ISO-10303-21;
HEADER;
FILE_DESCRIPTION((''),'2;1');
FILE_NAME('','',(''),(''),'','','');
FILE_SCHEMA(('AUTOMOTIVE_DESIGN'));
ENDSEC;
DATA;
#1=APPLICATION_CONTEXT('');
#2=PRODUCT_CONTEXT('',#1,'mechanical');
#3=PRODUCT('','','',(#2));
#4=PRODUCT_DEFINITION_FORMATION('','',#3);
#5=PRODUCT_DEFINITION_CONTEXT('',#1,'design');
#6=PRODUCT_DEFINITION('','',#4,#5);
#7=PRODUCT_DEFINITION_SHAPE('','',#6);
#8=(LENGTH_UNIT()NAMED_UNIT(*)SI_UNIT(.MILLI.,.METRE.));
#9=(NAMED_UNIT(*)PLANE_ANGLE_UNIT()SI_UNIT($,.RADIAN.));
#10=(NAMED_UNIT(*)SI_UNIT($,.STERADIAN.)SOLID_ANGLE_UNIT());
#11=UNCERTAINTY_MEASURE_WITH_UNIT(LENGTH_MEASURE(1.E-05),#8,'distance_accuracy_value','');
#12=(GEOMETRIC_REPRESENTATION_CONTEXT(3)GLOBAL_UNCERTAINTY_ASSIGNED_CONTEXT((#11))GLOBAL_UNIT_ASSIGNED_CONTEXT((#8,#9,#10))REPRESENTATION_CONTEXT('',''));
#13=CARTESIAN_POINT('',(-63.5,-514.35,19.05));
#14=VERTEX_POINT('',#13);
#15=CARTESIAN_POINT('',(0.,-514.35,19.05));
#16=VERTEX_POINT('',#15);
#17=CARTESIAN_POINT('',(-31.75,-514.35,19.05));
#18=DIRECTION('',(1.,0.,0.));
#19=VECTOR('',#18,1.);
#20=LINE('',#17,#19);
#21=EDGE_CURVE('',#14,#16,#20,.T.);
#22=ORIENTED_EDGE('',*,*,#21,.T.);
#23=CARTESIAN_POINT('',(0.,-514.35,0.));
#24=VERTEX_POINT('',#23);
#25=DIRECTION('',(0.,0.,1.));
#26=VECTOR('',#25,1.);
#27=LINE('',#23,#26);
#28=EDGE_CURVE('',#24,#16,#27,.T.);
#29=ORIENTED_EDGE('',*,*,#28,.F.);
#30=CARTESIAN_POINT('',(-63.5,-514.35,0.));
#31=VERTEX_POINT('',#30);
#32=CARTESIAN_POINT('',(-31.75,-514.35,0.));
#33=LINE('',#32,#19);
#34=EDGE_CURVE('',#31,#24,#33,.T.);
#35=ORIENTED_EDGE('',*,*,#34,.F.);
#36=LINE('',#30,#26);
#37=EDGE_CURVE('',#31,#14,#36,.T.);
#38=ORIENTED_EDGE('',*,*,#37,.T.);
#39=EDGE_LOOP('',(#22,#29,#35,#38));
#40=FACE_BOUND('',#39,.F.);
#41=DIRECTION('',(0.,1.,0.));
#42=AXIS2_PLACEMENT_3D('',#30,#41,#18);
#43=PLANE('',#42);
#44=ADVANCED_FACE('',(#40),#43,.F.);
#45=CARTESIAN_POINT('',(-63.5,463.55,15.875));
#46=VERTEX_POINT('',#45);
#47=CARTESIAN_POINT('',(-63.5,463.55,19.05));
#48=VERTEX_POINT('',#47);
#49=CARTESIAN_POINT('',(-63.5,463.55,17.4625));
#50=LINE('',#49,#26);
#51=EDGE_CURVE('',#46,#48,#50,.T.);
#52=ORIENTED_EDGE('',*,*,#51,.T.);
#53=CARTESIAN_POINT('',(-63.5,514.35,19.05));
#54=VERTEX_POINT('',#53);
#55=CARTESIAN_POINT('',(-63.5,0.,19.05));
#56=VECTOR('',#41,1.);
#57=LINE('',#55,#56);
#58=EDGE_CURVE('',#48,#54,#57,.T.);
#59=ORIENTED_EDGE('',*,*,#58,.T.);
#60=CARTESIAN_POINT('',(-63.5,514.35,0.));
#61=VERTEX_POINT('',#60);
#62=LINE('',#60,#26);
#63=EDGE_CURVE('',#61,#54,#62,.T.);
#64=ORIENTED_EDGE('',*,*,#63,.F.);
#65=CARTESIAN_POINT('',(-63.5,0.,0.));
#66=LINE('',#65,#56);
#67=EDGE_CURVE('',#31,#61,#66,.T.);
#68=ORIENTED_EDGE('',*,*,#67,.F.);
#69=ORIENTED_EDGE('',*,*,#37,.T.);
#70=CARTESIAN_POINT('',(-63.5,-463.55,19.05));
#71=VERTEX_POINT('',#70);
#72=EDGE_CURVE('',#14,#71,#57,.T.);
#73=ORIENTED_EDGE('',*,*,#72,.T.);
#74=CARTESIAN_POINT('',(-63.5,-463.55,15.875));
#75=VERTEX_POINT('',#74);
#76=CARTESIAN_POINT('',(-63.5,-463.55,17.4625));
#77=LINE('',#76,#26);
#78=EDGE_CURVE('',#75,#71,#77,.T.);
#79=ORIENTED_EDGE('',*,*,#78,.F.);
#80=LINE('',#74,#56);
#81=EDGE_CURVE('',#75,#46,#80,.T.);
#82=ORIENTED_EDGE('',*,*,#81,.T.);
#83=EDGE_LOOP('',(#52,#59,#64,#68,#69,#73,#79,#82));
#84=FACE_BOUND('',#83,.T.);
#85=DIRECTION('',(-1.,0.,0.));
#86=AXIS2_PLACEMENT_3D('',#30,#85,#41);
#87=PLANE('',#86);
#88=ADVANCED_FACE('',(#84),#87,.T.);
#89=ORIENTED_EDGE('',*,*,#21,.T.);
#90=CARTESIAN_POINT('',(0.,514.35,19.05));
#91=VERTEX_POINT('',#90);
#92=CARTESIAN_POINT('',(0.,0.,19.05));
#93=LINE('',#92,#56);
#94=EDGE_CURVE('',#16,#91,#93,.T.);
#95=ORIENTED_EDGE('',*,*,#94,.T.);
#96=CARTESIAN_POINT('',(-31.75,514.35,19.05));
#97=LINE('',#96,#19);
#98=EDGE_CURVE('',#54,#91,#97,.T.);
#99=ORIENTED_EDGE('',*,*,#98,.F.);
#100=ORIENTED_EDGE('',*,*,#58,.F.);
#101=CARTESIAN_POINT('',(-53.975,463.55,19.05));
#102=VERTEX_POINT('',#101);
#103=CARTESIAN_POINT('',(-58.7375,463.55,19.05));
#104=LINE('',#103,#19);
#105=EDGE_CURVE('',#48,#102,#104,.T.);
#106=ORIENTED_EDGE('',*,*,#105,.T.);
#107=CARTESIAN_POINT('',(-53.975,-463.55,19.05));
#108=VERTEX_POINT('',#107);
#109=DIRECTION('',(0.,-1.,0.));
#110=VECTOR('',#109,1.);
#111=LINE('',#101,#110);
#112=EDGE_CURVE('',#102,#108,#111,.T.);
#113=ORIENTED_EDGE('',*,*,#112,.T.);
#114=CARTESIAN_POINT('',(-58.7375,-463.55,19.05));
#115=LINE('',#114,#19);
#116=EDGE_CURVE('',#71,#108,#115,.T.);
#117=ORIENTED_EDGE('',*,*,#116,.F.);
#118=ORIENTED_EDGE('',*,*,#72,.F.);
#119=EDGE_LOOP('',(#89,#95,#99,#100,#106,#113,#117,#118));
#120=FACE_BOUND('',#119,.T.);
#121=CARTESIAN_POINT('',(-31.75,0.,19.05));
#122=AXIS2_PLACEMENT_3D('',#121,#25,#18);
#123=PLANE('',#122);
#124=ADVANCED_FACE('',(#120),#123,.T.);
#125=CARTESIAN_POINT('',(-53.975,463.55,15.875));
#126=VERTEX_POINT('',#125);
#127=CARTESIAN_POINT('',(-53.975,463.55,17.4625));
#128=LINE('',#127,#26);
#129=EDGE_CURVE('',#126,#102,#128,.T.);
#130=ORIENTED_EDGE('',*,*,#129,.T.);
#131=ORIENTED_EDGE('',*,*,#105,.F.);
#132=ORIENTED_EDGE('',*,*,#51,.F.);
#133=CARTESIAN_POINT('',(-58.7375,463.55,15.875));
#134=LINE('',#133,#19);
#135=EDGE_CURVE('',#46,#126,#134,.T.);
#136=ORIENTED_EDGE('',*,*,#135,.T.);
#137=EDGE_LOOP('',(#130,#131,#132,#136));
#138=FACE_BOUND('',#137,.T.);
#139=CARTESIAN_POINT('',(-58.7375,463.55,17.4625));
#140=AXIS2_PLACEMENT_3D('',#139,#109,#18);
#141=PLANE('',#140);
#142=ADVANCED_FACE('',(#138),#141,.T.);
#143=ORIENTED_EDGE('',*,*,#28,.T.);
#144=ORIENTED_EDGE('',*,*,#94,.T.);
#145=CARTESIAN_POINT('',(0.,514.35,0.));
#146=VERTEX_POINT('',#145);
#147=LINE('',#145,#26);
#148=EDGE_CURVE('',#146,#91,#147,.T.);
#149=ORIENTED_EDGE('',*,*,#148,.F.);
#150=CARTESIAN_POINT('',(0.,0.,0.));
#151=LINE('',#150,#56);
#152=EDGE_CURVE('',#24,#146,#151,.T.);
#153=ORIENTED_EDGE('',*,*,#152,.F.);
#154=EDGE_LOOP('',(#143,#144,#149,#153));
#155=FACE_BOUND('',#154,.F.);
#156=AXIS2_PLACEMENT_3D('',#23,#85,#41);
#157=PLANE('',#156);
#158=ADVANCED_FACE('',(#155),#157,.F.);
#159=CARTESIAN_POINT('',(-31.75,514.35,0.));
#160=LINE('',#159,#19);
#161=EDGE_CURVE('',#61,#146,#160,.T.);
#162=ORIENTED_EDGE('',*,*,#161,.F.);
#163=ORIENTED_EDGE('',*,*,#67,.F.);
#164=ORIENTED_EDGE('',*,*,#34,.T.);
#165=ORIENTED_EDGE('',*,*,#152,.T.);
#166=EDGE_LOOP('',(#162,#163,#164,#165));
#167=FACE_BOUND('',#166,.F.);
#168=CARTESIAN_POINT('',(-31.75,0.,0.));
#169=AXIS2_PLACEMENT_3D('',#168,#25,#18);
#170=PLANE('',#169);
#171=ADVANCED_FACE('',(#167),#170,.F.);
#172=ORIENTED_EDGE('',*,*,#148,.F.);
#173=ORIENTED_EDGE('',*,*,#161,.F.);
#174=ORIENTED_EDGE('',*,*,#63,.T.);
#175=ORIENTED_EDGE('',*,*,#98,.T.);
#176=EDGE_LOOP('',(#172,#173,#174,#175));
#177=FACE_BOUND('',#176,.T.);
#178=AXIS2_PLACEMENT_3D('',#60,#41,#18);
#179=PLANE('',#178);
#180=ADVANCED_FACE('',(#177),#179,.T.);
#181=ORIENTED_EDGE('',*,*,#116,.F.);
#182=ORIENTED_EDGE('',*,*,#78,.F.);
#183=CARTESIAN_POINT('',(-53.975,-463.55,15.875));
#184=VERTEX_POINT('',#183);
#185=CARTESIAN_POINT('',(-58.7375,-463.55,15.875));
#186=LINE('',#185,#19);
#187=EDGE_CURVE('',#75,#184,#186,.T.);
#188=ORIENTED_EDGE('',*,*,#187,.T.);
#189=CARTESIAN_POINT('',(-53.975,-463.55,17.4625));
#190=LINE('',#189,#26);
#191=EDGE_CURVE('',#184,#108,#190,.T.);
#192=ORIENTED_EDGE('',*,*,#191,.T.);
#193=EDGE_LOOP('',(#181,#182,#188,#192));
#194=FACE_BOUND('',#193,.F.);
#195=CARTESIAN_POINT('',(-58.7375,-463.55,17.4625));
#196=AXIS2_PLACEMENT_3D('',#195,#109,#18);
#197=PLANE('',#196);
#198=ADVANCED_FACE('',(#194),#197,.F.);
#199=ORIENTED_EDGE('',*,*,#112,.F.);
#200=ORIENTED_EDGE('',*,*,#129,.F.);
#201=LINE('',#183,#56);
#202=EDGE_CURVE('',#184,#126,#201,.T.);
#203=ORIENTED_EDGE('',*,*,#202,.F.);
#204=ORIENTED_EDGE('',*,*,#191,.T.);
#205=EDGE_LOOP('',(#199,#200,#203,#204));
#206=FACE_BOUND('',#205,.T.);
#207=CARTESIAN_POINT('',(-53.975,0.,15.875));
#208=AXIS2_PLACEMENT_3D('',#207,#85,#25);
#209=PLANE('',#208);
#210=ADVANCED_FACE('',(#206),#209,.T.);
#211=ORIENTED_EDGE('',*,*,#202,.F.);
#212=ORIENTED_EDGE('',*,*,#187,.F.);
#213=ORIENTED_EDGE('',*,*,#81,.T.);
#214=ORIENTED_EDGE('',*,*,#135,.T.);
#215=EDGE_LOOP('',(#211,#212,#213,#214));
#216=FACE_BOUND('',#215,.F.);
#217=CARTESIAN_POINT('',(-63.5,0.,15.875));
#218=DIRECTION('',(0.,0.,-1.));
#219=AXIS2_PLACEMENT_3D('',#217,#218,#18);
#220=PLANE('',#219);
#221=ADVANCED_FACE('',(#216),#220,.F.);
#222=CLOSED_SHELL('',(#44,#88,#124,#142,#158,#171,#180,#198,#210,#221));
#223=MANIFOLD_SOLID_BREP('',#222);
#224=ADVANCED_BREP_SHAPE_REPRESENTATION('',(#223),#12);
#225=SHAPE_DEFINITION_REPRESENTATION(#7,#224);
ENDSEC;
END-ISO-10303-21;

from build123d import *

# Parameters (mm, degrees)
F0_W          = 63.5
F0_H          = 1028.7
F1_DEPTH      = 19.05
F2_W          = 9.525
F2_H          = 3.175
F3_DEPTH      = 463.55
F3_DEPTH_BACK = 463.55


with BuildPart() as f1:
    # F0 (on Top) → F1 (new body)
    with BuildSketch(Plane.XY):
        with Locations((-31.75, 0)):
            Rectangle(F0_W, F0_H)
    extrude(amount=F1_DEPTH)

    # F2 (on Front) → F3 (cut, two sides)
    with BuildSketch(Plane.XZ) as f3_sk:
        with Locations((-58.7375, 17.4625)):
            Rectangle(F2_W, F2_H)
    extrude(amount=F3_DEPTH, mode=Mode.SUBTRACT)
    extrude(f3_sk.sketch, amount=-F3_DEPTH_BACK, mode=Mode.SUBTRACT)


solid = f1.part
